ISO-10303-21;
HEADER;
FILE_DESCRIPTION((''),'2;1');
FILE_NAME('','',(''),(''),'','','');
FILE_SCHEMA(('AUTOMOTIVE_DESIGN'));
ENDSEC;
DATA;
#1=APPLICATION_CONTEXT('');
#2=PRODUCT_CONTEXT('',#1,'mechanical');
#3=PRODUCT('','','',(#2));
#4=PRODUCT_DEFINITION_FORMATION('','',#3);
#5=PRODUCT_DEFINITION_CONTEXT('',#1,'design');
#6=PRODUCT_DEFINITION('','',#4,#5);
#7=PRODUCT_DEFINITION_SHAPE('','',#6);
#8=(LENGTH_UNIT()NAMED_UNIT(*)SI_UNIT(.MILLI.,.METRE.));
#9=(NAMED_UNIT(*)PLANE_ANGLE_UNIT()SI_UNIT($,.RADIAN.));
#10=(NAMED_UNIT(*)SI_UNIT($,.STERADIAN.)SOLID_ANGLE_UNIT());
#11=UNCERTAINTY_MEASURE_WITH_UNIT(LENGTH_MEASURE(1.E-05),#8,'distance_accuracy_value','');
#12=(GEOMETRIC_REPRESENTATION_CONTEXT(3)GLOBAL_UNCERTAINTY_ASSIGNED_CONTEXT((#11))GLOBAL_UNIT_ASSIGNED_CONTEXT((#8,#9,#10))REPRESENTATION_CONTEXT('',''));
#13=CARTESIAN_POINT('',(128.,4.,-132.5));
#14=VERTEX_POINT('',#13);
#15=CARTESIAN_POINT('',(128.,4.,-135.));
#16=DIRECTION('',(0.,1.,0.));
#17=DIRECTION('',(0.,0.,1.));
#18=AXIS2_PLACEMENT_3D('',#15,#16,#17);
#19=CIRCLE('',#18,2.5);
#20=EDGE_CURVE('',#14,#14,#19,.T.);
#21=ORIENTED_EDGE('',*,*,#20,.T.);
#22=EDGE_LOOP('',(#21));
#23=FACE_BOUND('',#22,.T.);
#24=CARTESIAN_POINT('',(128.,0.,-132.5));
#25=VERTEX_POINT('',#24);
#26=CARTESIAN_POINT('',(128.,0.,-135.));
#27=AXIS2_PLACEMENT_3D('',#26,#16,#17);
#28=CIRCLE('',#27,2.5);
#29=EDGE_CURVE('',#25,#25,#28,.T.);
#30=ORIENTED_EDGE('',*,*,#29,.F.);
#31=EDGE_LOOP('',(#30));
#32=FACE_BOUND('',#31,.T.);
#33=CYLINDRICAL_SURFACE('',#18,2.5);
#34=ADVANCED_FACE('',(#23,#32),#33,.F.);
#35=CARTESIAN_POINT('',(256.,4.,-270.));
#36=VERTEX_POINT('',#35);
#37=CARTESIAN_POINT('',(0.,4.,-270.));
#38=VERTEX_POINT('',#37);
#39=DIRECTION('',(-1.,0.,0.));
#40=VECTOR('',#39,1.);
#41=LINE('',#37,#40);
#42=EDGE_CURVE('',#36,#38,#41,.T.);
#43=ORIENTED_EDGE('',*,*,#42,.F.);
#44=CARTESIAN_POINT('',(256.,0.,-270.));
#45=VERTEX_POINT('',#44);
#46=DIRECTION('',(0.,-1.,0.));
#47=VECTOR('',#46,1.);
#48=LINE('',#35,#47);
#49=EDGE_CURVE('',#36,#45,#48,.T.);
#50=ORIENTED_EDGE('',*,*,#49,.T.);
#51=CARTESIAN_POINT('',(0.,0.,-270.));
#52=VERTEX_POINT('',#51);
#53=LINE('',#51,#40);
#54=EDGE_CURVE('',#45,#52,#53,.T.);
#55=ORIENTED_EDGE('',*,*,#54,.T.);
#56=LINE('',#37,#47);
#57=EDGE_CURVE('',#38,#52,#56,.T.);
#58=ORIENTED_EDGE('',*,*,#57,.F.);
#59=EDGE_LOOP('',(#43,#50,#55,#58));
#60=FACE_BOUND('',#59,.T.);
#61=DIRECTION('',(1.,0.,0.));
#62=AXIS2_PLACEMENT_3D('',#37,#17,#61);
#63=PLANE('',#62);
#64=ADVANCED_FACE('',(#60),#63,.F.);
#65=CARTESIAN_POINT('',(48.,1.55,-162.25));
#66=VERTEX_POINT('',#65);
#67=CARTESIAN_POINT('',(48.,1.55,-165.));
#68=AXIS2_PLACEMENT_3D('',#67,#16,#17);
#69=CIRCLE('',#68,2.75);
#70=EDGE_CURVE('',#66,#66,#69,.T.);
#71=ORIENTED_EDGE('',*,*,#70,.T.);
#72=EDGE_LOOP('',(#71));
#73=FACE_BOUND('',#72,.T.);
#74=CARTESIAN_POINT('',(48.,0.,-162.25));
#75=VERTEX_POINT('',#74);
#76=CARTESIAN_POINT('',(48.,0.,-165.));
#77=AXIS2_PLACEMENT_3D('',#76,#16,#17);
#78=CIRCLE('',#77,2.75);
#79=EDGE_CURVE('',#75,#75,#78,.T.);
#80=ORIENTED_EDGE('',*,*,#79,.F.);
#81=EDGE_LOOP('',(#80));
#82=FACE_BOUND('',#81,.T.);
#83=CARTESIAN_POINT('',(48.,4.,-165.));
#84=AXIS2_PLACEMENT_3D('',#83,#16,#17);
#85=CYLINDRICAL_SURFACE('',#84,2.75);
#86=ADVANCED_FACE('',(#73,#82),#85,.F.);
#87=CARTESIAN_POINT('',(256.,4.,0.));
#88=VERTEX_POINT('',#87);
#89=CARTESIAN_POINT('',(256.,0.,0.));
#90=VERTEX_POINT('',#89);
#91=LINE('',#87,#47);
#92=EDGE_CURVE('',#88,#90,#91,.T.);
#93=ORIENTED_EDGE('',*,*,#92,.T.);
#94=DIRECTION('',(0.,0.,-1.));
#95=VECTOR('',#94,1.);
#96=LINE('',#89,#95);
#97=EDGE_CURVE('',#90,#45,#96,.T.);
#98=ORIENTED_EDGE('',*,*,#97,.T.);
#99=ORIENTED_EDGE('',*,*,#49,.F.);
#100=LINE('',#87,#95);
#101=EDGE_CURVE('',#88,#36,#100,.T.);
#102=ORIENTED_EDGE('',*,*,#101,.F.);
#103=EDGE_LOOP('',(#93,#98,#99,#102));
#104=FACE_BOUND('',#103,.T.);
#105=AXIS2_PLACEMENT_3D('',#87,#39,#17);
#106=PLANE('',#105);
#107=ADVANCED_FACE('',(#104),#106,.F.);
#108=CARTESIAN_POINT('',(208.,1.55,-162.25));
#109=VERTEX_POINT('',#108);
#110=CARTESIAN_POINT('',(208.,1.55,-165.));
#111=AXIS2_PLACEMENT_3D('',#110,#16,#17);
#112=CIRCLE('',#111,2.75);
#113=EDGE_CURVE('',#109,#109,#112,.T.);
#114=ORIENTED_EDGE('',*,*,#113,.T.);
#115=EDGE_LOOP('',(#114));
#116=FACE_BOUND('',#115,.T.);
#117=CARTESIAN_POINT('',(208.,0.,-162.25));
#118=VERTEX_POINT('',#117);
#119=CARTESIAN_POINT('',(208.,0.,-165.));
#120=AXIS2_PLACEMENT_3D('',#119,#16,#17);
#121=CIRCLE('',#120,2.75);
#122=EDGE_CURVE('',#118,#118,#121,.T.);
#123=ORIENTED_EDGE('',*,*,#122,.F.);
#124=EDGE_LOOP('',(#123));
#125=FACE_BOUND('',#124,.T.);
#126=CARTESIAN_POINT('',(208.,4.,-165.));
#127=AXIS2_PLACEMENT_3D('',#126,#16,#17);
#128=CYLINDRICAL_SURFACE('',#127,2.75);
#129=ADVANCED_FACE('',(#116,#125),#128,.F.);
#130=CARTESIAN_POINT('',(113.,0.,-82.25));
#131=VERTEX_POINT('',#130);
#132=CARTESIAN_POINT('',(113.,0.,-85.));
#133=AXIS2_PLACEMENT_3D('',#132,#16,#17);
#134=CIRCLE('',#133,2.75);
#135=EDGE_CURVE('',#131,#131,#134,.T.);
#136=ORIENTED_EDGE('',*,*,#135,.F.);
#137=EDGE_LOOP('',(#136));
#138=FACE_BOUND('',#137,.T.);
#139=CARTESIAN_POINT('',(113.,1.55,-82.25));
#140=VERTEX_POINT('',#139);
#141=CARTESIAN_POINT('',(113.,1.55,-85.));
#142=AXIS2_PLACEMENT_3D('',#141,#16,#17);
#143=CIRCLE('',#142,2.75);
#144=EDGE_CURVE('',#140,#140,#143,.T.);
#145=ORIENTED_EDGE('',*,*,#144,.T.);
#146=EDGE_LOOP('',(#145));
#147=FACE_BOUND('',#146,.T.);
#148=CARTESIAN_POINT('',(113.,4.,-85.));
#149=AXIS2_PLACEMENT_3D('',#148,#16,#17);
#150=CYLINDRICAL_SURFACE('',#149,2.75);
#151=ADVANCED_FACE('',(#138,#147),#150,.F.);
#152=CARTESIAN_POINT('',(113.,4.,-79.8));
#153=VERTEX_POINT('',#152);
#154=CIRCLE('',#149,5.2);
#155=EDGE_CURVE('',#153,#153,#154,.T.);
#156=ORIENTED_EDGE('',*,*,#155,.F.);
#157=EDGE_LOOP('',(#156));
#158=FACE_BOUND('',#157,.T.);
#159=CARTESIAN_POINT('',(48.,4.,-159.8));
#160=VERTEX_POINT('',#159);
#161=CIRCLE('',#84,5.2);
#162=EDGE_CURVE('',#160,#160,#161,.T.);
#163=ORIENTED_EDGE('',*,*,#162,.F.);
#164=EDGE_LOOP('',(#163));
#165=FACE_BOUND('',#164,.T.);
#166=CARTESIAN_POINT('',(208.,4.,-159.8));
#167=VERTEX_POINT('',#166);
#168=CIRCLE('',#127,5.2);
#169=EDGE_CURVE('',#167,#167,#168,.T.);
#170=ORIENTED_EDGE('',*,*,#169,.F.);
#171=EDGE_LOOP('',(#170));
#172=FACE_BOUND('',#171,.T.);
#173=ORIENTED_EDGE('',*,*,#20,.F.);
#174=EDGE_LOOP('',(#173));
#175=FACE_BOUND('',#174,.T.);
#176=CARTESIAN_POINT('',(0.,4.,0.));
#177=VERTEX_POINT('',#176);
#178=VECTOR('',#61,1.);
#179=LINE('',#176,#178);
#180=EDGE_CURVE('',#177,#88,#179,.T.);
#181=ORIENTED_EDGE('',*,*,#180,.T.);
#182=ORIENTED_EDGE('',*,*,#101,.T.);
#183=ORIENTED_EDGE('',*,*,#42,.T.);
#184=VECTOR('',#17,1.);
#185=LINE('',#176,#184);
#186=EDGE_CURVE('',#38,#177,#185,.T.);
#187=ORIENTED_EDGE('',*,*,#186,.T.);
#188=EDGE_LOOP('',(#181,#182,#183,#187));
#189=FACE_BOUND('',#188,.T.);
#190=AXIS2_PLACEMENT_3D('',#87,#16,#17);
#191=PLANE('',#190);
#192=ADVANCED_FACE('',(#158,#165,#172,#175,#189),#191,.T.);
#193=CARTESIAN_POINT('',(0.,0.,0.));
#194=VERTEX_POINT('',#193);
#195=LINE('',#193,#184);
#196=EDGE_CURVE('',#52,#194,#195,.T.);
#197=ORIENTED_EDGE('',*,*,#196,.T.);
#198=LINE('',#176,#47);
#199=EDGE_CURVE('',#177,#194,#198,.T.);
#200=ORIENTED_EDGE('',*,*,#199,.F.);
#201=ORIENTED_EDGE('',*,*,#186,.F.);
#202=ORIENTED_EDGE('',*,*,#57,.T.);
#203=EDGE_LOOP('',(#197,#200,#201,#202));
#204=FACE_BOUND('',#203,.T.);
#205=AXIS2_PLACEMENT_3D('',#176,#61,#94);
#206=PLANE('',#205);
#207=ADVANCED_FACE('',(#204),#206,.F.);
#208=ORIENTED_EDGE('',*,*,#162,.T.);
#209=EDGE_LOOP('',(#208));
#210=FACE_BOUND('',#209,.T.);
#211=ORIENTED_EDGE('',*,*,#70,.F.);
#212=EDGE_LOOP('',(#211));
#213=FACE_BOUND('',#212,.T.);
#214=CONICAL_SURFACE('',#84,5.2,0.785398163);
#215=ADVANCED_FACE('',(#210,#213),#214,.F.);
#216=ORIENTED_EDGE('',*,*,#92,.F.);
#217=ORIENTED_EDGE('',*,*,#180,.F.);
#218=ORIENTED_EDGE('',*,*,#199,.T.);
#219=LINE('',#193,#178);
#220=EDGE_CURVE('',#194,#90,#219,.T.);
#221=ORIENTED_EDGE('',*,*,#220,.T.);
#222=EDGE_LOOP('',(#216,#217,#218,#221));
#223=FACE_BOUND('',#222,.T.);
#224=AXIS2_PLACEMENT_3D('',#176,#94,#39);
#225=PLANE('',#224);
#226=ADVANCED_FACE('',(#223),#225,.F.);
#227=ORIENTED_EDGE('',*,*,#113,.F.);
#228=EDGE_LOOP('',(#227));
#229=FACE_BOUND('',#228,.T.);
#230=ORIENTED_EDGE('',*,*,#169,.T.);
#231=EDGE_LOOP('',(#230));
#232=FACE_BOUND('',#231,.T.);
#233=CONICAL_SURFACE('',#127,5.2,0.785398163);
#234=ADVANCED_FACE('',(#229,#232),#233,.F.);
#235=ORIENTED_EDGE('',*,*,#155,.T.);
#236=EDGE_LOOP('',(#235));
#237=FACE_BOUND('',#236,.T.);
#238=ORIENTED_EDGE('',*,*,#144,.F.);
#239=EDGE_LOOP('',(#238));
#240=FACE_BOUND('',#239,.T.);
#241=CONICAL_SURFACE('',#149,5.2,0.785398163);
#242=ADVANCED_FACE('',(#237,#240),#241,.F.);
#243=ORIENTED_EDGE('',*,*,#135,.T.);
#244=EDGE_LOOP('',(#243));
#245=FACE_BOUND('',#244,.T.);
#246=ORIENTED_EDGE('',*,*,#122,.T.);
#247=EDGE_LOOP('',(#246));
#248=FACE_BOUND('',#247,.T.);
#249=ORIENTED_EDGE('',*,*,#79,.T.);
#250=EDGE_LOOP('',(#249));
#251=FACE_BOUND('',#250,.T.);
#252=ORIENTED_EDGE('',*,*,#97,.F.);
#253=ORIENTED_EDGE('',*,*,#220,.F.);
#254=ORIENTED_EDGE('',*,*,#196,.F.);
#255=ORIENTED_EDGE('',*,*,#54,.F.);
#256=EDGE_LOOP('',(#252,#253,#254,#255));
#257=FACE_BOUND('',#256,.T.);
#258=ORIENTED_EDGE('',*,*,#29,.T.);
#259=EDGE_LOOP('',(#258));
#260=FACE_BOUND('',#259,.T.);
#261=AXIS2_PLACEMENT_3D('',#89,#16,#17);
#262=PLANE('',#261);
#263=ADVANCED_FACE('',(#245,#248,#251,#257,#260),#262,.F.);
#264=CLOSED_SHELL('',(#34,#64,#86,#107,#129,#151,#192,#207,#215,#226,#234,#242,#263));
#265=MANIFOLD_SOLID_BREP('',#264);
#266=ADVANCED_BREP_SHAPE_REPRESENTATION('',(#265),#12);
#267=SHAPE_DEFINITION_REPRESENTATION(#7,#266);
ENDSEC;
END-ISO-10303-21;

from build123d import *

# Parameters (mm, degrees)
SKETCH1_W                                      = 256
SKETCH1_H                                      = 270
BOSS_EXTRUDE1_DEPTH                            = 4
CSK_FOR_M5_FLAT_HEAD_MACHINE_SCREW1_AT_2_COUNT = 2
CSK_FOR_M5_FLAT_HEAD_MACHINE_SCREW1_AT_2_PITCH = 124.197423484
CSK_FOR_M5_FLAT_HEAD_MACHINE_SCREW1_AT_3_COUNT = 2
CSK_FOR_M5_FLAT_HEAD_MACHINE_SCREW1_AT_3_PITCH = 103.07764064
M6_TAPED_HOLE_THRMOCOUPLER_D                   = 5


with BuildPart() as part:
    # Sketch1 → Boss-Extrude1 (new body)
    with BuildSketch(Plane(origin=(0, 0, 0), x_dir=(1, 0, 0), z_dir=(0, 1, 0))):
        with Locations((128, 135)):
            Rectangle(SKETCH1_W, SKETCH1_H)
    extrude(amount=BOSS_EXTRUDE1_DEPTH)

    # Sketch2 → CSK for M5 Flat Head Machine Screw1 (revolve, cut)
    with BuildSketch(Plane(origin=(113, 4, -85), x_dir=(0, 0, 1), z_dir=(1, 0, 0))):
        Polygon((0, 0), (0, 4), (2.75, 4), (2.75, 2.45), (5.2, 0), align=None)
    csk_for_m5_flat_head_machine_screw1 = revolve(axis=Axis((113, 10.35, -85), (0, -1, 0)), mode=Mode.SUBTRACT)

    # CSK for M5 Flat Head Machine Screw1 at 2: CSK for M5 Flat Head Machine Screw1 ×2
    with Locations(*[Vector(0.7649111981170511, 0, -0.6441357457827795) * (i * CSK_FOR_M5_FLAT_HEAD_MACHINE_SCREW1_AT_2_PITCH) for i in range(1, CSK_FOR_M5_FLAT_HEAD_MACHINE_SCREW1_AT_2_COUNT)]):
        add(csk_for_m5_flat_head_machine_screw1, mode=Mode.SUBTRACT)

    # CSK for M5 Flat Head Machine Screw1 at 3: CSK for M5 Flat Head Machine Screw1 ×2
    with Locations(*[Vector(-0.6305926250944657, 0, -0.7761140001162656) * (i * CSK_FOR_M5_FLAT_HEAD_MACHINE_SCREW1_AT_3_PITCH) for i in range(1, CSK_FOR_M5_FLAT_HEAD_MACHINE_SCREW1_AT_3_COUNT)]):
        add(csk_for_m5_flat_head_machine_screw1, mode=Mode.SUBTRACT)

    # M6 taped hole - thrmocoupler (through all)
    with Locations(Plane(origin=(0, 4, 0), x_dir=(-1, 0, 0), z_dir=(0, 1, 0))):
        with Locations((-128, -135)):
            Hole(M6_TAPED_HOLE_THRMOCOUPLER_D / 2)


solid = part.part
